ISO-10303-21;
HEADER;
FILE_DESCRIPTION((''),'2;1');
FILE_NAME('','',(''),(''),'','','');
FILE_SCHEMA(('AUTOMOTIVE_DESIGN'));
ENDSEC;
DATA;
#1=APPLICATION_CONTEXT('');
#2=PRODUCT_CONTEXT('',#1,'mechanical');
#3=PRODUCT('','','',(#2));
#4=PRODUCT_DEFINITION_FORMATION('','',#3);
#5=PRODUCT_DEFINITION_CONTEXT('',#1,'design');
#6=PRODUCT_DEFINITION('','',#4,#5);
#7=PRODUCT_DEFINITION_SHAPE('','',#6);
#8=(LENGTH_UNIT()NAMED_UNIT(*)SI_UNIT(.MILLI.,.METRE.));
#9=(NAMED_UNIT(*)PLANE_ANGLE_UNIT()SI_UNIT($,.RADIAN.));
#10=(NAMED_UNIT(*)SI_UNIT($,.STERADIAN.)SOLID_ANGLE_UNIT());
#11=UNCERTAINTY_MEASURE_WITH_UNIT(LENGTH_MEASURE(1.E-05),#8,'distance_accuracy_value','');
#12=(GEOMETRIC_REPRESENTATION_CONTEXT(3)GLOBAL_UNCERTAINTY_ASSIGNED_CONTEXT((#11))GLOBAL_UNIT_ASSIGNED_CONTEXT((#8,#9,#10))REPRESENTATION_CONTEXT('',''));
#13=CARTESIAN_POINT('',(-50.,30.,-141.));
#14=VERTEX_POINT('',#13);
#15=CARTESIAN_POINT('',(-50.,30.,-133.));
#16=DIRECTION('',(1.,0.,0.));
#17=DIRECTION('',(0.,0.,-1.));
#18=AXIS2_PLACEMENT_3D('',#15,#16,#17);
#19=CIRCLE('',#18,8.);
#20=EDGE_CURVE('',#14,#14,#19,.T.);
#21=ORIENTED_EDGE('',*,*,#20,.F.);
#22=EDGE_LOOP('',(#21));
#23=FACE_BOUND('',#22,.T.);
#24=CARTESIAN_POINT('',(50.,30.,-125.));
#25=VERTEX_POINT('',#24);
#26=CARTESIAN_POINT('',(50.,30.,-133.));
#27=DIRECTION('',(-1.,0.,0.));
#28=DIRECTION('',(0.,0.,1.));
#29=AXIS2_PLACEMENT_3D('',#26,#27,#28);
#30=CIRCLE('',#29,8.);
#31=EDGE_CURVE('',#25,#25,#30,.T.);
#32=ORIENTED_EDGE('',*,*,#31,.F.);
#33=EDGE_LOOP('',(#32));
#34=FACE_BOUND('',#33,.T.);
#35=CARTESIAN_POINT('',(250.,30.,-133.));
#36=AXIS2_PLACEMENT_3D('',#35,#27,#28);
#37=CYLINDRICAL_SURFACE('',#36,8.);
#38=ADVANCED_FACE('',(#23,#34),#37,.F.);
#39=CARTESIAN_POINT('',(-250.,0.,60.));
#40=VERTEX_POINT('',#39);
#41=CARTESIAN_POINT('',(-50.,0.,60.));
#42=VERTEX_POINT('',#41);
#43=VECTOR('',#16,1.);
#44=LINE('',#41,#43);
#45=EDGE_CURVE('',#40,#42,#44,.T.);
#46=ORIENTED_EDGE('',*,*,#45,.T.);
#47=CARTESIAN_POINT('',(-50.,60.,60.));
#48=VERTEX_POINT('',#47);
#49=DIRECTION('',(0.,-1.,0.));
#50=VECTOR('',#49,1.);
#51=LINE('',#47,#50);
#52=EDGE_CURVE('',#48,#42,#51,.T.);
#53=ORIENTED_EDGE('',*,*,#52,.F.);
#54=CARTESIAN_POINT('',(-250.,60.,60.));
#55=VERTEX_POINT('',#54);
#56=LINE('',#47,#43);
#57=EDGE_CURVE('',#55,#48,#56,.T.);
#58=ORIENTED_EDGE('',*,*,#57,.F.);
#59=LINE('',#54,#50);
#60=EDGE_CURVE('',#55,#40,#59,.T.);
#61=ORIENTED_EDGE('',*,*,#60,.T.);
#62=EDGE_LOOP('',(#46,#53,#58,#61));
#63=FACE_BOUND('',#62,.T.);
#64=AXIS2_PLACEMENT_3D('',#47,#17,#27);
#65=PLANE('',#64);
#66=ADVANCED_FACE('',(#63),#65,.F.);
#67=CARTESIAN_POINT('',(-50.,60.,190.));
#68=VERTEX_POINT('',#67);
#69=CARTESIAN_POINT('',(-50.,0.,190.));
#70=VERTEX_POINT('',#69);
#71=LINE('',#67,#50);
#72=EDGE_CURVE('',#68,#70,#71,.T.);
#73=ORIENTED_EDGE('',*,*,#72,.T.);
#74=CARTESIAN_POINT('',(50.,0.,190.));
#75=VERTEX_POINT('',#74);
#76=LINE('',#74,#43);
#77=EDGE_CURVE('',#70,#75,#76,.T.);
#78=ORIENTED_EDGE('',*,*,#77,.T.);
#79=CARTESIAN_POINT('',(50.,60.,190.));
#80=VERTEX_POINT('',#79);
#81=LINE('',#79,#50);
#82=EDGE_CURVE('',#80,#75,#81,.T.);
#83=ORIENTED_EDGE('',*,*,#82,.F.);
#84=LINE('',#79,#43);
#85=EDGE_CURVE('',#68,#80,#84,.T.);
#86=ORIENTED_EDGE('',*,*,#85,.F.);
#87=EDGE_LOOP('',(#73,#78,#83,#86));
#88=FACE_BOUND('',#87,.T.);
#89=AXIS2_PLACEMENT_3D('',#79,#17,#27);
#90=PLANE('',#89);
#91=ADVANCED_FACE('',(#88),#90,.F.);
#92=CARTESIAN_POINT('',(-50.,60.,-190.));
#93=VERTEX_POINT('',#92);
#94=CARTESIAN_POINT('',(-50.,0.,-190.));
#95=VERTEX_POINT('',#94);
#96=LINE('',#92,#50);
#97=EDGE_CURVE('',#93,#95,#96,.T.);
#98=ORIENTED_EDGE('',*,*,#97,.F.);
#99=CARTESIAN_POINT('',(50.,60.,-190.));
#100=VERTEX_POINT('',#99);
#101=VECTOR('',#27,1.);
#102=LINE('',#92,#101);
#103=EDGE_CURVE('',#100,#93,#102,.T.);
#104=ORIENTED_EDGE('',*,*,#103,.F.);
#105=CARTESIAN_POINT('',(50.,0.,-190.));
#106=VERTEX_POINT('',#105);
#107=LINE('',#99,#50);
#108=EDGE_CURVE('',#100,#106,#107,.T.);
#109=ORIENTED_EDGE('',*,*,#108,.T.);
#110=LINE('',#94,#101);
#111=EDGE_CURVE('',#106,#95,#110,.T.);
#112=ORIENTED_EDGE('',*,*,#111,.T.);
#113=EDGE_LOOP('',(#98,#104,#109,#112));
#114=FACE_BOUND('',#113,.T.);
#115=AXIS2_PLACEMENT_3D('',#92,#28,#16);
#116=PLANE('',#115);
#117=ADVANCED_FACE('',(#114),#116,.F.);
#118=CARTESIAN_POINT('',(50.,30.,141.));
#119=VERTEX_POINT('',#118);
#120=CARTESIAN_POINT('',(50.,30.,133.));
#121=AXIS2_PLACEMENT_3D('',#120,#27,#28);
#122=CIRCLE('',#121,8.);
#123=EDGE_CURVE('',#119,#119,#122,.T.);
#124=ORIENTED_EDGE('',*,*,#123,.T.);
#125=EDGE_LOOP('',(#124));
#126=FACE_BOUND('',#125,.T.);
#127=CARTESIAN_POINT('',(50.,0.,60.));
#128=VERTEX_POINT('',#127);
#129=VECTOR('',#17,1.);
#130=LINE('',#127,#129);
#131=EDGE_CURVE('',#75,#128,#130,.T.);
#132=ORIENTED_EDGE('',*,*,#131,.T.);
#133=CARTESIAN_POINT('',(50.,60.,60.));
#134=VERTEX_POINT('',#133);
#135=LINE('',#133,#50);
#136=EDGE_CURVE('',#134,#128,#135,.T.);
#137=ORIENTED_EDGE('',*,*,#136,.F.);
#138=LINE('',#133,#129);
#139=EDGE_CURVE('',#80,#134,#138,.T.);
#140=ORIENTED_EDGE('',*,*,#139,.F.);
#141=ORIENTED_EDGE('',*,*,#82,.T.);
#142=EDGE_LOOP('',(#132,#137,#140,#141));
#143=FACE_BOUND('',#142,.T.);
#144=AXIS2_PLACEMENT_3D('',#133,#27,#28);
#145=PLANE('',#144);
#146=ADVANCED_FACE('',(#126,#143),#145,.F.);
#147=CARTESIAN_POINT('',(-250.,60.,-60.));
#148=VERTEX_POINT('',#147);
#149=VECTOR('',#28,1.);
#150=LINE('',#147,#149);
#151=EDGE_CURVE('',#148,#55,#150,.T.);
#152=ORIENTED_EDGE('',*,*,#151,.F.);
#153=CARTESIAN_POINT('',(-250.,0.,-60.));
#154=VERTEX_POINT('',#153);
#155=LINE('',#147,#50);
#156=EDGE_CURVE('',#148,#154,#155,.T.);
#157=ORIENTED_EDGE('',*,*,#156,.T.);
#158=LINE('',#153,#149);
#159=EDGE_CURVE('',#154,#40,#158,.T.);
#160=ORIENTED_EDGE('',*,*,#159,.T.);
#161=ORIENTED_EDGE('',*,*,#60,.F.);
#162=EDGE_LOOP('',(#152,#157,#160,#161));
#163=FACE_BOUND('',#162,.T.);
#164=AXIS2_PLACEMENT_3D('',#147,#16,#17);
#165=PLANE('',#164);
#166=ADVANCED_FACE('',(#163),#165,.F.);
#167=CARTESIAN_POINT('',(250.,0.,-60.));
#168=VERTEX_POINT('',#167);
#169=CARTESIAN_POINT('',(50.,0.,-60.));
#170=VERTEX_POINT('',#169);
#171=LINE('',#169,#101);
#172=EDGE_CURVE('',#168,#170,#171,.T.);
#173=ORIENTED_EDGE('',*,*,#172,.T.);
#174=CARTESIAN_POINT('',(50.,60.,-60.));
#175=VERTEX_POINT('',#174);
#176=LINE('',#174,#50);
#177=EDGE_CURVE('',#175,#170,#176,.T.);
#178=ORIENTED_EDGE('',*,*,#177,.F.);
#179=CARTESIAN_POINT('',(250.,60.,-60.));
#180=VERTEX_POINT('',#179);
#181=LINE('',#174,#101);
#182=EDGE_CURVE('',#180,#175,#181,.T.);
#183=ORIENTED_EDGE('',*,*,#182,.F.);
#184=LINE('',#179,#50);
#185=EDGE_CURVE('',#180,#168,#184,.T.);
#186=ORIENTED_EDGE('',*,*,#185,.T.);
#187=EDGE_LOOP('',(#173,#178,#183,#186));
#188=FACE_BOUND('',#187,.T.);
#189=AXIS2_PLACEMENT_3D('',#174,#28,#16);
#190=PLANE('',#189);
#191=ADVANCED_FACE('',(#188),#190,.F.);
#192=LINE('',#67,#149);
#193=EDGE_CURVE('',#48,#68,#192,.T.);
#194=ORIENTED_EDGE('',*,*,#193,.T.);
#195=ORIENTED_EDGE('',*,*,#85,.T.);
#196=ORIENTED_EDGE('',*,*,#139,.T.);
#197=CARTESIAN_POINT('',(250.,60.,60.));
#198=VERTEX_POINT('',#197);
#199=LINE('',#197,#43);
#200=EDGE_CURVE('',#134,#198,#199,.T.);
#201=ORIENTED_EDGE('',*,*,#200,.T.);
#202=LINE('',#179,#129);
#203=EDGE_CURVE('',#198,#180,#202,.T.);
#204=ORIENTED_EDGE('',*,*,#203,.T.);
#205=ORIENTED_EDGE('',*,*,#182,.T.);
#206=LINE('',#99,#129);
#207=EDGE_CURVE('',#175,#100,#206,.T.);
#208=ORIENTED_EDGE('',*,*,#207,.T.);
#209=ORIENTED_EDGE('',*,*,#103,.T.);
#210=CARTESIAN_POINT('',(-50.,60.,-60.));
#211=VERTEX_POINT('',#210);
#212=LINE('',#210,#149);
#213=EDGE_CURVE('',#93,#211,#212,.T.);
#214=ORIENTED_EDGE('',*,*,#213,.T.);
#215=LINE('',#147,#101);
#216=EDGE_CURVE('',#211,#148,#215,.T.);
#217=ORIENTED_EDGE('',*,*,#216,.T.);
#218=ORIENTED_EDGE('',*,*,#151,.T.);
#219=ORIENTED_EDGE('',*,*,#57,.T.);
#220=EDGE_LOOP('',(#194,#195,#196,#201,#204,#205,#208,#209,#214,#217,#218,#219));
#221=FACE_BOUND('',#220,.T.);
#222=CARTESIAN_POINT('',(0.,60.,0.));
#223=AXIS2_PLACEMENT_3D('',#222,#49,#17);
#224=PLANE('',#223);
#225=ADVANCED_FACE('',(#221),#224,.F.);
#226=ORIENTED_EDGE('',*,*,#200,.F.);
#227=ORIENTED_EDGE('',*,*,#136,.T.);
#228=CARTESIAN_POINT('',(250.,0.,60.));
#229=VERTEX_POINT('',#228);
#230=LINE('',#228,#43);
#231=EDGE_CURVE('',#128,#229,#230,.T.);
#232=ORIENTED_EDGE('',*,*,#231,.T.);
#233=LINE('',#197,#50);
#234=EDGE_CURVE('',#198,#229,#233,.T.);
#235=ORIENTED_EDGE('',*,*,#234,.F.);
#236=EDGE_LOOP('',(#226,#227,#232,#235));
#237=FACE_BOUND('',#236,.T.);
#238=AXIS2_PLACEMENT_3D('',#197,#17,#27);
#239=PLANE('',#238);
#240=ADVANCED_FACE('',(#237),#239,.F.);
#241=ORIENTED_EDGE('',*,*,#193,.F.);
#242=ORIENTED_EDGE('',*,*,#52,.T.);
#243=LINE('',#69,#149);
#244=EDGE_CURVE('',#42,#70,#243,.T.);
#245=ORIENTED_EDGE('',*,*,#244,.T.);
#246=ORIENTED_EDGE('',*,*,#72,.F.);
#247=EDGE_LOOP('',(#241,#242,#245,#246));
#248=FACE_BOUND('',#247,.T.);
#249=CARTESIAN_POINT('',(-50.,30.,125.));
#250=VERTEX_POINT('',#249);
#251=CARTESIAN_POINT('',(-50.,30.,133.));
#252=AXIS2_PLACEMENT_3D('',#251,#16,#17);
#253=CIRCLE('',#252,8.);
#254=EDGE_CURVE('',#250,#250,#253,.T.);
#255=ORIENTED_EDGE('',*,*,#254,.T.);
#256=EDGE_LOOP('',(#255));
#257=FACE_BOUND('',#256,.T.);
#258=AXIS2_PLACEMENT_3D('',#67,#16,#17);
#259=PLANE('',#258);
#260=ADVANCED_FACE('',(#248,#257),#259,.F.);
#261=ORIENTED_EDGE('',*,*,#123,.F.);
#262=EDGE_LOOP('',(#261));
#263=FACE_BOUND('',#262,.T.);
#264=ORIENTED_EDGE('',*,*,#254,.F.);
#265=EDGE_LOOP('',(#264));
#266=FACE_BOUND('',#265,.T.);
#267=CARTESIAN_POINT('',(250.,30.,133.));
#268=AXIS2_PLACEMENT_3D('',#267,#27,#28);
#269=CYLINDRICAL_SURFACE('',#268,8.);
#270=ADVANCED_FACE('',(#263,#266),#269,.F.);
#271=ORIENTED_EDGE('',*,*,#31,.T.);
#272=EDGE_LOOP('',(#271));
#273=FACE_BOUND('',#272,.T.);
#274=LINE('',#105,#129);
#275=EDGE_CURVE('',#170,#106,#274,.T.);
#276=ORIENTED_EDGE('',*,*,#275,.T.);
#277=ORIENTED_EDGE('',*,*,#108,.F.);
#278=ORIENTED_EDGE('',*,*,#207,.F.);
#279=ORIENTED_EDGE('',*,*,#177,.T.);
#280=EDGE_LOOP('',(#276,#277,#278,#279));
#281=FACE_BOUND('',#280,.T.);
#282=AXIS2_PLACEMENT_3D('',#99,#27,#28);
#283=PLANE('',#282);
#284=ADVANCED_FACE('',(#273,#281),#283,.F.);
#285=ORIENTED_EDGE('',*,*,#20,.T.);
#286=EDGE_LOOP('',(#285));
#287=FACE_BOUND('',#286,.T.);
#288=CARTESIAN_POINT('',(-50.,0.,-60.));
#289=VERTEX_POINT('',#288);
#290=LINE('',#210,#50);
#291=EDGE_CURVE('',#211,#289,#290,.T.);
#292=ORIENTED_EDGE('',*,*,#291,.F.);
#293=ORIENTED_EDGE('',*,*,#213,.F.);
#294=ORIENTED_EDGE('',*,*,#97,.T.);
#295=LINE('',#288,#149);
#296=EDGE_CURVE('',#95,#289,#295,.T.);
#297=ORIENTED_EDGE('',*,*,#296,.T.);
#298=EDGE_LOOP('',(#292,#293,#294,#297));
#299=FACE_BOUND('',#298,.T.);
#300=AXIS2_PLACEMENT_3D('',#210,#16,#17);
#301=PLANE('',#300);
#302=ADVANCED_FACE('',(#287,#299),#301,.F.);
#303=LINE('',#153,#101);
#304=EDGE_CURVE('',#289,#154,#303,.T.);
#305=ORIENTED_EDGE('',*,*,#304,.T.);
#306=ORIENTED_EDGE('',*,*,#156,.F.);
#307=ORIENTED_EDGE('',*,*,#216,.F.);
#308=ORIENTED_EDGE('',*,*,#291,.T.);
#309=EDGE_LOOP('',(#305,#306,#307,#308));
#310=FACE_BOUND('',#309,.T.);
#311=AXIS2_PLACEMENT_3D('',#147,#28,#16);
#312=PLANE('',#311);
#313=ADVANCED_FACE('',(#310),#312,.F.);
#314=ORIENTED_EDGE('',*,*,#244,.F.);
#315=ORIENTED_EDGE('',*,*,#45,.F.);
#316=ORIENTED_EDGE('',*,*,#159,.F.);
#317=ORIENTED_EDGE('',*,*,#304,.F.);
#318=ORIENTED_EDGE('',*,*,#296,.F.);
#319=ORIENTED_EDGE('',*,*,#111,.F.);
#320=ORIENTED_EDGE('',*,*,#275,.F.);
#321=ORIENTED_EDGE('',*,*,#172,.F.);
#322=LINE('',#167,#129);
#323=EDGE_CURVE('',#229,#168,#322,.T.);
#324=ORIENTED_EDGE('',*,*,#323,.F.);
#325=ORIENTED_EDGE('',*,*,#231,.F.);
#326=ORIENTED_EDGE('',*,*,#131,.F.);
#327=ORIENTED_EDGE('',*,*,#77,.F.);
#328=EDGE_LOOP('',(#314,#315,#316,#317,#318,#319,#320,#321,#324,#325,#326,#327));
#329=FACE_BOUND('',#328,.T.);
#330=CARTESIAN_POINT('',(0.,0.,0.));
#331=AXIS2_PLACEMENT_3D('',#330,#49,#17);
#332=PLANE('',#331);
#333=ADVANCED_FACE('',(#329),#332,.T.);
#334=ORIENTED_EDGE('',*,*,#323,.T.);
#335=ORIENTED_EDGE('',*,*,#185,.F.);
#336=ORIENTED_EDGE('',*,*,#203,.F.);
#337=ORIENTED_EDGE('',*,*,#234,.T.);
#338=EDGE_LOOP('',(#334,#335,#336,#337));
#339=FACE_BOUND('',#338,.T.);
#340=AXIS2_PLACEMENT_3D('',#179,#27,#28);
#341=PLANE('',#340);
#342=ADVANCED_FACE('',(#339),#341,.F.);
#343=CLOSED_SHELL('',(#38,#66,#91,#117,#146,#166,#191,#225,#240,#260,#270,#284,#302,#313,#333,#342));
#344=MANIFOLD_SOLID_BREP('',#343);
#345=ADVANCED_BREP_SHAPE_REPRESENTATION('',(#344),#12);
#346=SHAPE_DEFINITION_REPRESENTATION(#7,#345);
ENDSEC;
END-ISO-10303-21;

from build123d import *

# Parameters (mm, degrees)
BOSS_EXTRUDE1_DEPTH     = 60
CUT_EXTRUDE1_DEPTH      = 361.138862107
CUT_EXTRUDE1_DEPTH_BACK = 361.138862107
SKETCH2_R               = 8


with BuildPart() as part:
    # Sketch1 → Boss-Extrude1 (new body)
    with BuildSketch(Plane(origin=(0, 0, 0), x_dir=(1, 0, 0), z_dir=(0, 1, 0))):
        Polygon((-250, 60), (-50, 60), (-50, 190), (50, 190), (50, 60), (250, 60), (250, -60), (50, -60), (50, -190), (-50, -190), (-50, -60), (-250, -60), align=None)
    extrude(amount=BOSS_EXTRUDE1_DEPTH)

    # Sketch2 → Cut-Extrude1 (cut, two sides: drawn at the far end of the back side and taken through both)
    with BuildSketch(Plane.ZY.offset(50).offset(-CUT_EXTRUDE1_DEPTH_BACK)):
        with Locations((133, 30)):
            Circle(SKETCH2_R)
        with Locations((-133, 30)):
            Circle(SKETCH2_R)
    extrude(amount=CUT_EXTRUDE1_DEPTH + CUT_EXTRUDE1_DEPTH_BACK, mode=Mode.SUBTRACT)


solid = part.part
